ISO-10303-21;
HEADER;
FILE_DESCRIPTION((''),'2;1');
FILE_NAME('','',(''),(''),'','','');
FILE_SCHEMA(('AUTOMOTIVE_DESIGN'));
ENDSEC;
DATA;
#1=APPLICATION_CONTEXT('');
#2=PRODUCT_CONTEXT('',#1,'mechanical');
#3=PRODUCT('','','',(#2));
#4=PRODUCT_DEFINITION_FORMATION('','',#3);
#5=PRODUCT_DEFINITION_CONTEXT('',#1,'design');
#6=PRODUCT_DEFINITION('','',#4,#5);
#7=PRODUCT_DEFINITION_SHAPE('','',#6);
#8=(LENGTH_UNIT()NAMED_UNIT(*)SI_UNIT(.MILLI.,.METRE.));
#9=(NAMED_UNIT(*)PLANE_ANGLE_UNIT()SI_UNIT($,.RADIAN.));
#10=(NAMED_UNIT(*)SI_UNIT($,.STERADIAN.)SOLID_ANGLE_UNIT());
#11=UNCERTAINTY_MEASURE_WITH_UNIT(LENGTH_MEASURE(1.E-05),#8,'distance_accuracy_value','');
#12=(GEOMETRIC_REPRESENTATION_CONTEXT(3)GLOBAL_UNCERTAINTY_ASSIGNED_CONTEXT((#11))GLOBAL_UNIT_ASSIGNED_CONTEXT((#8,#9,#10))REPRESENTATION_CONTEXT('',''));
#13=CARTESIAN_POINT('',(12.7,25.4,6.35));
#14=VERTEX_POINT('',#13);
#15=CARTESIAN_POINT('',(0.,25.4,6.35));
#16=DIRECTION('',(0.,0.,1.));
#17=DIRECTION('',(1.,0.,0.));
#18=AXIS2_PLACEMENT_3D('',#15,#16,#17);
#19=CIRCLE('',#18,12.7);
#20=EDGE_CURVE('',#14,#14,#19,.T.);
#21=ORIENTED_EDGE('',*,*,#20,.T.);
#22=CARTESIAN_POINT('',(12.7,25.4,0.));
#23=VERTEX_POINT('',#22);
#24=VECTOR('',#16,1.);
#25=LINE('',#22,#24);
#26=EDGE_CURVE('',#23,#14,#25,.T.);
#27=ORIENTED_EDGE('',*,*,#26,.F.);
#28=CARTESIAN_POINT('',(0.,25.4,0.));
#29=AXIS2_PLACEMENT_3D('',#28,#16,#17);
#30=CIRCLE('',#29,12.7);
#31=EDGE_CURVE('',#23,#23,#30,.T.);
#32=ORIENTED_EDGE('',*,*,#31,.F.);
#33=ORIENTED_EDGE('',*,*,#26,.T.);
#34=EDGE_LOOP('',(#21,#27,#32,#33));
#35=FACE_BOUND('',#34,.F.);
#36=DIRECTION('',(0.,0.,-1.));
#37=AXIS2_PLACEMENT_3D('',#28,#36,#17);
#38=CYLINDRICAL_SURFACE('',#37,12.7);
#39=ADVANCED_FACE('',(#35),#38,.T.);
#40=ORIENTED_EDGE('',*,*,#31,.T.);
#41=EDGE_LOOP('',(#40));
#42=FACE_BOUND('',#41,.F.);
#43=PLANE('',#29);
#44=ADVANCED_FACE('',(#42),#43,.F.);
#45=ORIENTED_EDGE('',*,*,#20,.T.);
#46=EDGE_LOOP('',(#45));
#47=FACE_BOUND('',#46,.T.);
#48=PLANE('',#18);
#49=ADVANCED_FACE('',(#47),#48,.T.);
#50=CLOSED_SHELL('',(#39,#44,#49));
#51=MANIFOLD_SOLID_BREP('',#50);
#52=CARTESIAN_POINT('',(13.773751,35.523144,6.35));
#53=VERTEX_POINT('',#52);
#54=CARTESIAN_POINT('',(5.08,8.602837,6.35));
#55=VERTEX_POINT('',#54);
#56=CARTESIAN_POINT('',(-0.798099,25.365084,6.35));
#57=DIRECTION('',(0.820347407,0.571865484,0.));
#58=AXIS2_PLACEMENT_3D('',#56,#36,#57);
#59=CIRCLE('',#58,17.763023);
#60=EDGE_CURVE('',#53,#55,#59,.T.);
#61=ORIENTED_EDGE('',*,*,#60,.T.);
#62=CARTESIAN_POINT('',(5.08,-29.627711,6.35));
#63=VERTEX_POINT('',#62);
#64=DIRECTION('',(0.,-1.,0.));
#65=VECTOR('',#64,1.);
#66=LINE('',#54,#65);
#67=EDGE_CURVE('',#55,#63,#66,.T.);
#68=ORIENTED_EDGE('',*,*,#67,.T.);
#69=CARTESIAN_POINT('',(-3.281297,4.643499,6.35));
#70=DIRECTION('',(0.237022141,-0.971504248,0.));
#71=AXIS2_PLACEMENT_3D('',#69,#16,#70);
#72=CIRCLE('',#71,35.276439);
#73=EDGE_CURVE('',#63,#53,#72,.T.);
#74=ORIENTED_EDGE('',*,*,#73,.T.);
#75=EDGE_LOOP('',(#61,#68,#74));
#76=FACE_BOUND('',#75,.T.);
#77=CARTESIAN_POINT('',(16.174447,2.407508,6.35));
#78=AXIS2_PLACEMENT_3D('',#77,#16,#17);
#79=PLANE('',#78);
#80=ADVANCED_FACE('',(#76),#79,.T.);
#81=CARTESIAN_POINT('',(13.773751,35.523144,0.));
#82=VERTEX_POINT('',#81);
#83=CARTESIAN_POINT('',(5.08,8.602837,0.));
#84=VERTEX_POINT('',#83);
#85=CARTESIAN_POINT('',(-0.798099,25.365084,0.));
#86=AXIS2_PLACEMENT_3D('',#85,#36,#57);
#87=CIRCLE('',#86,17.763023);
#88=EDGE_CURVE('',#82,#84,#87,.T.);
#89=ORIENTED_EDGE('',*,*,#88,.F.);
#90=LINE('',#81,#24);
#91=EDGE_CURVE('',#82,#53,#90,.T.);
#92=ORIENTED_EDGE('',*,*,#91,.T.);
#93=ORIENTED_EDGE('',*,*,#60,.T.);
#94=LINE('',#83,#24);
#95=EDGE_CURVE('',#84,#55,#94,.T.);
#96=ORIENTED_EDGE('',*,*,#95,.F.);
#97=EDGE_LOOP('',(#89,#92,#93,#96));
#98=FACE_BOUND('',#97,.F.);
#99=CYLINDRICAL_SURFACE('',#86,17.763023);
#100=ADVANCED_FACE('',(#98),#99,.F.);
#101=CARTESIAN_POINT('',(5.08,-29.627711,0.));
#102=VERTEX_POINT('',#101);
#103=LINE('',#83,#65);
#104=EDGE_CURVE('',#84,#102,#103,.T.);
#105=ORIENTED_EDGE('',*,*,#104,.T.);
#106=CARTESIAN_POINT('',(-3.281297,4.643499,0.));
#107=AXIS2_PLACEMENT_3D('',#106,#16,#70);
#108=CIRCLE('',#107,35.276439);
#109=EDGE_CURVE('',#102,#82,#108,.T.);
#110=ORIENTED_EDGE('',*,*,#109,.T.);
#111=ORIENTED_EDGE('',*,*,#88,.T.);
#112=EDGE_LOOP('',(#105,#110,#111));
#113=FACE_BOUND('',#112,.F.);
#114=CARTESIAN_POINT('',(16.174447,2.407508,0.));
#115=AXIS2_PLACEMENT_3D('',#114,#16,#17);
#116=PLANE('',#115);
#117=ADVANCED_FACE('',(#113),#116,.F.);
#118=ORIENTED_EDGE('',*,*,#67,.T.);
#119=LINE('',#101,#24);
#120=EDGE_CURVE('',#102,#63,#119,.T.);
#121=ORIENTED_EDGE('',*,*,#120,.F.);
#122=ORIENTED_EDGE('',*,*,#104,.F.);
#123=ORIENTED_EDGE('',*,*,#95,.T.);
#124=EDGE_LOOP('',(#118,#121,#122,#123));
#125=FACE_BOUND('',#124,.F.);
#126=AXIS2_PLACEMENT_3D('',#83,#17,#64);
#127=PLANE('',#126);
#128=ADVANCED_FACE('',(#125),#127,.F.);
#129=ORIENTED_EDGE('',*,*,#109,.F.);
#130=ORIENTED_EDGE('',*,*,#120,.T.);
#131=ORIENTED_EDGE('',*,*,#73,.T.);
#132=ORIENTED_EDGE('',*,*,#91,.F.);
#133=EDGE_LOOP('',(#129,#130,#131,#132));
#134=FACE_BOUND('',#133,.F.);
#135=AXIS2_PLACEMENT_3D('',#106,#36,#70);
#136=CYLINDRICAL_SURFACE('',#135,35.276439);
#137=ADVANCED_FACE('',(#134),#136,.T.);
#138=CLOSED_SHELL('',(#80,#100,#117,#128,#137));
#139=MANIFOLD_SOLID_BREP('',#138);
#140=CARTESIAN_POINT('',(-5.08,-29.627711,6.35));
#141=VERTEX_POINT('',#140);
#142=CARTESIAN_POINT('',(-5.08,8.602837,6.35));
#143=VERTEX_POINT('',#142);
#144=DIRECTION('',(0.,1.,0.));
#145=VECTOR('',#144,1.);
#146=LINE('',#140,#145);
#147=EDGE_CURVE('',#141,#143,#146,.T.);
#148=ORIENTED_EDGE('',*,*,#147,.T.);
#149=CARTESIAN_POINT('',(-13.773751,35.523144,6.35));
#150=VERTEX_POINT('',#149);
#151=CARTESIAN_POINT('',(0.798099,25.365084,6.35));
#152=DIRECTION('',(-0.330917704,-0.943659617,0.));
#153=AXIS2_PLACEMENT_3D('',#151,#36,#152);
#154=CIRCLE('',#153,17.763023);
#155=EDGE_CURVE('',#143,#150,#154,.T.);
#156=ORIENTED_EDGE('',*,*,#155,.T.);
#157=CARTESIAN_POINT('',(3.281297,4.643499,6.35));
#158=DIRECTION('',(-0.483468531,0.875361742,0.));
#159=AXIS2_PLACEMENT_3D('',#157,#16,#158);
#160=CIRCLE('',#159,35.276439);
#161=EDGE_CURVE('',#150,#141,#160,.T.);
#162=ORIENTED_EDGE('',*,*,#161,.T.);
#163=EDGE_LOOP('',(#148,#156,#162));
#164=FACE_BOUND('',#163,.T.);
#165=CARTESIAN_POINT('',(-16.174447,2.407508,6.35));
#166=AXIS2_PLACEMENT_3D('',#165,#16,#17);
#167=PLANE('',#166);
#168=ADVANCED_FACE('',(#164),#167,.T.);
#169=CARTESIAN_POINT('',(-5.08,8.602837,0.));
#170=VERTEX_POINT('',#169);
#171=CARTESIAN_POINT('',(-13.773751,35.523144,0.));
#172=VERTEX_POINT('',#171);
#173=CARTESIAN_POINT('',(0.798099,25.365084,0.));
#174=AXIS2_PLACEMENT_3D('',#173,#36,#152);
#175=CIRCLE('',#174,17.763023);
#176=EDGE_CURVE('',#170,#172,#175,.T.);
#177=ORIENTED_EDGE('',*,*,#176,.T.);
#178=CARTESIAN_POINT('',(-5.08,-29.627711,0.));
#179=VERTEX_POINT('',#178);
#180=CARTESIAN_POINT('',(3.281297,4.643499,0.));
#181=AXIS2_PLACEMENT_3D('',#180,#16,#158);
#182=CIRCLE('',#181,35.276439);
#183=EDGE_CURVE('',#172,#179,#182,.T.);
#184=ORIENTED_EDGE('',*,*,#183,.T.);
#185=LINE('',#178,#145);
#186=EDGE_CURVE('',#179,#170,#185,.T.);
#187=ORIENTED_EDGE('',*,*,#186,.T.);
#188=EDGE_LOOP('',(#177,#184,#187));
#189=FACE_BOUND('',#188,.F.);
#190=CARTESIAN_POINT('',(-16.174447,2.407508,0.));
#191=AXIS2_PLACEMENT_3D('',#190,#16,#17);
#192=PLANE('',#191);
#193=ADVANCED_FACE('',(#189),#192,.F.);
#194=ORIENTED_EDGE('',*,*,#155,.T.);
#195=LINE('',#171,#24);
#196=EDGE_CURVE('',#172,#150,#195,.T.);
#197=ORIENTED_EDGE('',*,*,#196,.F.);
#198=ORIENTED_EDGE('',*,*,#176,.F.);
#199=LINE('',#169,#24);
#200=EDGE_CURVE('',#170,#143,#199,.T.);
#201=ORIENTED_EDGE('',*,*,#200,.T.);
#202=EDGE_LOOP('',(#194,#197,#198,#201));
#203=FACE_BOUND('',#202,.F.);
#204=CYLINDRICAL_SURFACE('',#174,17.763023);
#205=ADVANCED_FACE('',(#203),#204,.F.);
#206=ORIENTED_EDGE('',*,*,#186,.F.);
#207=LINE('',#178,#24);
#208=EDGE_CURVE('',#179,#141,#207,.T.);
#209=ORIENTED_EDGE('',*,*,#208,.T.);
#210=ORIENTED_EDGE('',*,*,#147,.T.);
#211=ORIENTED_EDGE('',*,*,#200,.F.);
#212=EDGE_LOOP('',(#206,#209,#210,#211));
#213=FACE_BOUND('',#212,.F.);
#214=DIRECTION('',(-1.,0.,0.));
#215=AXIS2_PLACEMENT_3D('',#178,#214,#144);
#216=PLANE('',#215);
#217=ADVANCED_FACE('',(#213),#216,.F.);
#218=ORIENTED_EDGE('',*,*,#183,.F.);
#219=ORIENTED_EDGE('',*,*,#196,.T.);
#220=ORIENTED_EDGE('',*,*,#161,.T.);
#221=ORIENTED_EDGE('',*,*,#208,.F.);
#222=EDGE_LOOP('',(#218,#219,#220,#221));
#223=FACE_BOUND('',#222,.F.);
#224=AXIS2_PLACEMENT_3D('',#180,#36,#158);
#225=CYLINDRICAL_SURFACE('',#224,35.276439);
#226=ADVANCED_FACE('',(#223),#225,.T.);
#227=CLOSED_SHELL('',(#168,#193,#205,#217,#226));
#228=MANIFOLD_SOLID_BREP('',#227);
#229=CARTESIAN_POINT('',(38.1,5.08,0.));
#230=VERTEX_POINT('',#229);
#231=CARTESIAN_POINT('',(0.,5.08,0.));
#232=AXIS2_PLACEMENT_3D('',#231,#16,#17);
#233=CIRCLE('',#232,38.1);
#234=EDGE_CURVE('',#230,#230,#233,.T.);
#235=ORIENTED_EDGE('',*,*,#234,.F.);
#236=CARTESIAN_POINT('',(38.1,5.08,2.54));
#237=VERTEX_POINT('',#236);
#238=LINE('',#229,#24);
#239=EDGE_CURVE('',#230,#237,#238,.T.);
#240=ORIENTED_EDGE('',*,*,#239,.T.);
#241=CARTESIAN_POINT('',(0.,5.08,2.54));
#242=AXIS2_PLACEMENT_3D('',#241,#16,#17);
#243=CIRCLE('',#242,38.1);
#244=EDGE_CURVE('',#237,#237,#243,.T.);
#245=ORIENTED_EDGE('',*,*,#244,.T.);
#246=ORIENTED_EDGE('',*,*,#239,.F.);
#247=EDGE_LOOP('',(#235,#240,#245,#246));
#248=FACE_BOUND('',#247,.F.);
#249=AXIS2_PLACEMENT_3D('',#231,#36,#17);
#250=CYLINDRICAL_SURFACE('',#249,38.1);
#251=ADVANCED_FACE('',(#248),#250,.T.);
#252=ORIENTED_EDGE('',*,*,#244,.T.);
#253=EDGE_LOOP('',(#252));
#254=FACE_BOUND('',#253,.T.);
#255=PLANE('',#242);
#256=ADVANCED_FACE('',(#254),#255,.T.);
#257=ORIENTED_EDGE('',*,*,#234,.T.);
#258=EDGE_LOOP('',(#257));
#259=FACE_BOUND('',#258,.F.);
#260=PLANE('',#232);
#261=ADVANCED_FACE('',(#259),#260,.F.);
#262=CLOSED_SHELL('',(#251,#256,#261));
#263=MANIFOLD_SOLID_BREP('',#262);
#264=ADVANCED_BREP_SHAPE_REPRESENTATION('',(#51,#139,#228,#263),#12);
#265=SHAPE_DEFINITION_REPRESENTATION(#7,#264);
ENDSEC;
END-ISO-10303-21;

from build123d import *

# Parameters (mm, degrees)
F0_R     = 12.7
F1_DEPTH = 6.35
F2_R     = 38.1
F3_DEPTH = 2.54


with BuildPart() as f1:
    # F0 (on Top) → F1 (new body)
    with BuildSketch(Plane.XY):
        with BuildLine():
            ThreePointArc((13.773751, 35.523144), (16.105328, 19.906225), (5.08, 8.602837))
            Line((5.08, 8.602837), (5.08, -29.627711))
            ThreePointArc((5.08, -29.627711), (31.685203, -0.022442), (13.773751, 35.523144))
        make_face()
        with BuildLine():
            ThreePointArc((-5.08, 8.602837), (-16.105328, 19.906225), (-13.773751, 35.523144))
            ThreePointArc((-13.773751, 35.523144), (-31.685203, -0.022442), (-5.08, -29.627711))
            Line((-5.08, -29.627711), (-5.08, 8.602837))
        make_face()
        with Locations((0, 25.4)):
            Circle(F0_R)
    extrude(amount=F1_DEPTH)


with BuildPart() as f3:
    # F2 (on Top) → F3 (new body)
    with BuildSketch(Plane.XY):
        with Locations((0, 5.08)):
            Circle(F2_R)
    extrude(amount=F3_DEPTH)


solid = Compound([f1.part, f3.part])
